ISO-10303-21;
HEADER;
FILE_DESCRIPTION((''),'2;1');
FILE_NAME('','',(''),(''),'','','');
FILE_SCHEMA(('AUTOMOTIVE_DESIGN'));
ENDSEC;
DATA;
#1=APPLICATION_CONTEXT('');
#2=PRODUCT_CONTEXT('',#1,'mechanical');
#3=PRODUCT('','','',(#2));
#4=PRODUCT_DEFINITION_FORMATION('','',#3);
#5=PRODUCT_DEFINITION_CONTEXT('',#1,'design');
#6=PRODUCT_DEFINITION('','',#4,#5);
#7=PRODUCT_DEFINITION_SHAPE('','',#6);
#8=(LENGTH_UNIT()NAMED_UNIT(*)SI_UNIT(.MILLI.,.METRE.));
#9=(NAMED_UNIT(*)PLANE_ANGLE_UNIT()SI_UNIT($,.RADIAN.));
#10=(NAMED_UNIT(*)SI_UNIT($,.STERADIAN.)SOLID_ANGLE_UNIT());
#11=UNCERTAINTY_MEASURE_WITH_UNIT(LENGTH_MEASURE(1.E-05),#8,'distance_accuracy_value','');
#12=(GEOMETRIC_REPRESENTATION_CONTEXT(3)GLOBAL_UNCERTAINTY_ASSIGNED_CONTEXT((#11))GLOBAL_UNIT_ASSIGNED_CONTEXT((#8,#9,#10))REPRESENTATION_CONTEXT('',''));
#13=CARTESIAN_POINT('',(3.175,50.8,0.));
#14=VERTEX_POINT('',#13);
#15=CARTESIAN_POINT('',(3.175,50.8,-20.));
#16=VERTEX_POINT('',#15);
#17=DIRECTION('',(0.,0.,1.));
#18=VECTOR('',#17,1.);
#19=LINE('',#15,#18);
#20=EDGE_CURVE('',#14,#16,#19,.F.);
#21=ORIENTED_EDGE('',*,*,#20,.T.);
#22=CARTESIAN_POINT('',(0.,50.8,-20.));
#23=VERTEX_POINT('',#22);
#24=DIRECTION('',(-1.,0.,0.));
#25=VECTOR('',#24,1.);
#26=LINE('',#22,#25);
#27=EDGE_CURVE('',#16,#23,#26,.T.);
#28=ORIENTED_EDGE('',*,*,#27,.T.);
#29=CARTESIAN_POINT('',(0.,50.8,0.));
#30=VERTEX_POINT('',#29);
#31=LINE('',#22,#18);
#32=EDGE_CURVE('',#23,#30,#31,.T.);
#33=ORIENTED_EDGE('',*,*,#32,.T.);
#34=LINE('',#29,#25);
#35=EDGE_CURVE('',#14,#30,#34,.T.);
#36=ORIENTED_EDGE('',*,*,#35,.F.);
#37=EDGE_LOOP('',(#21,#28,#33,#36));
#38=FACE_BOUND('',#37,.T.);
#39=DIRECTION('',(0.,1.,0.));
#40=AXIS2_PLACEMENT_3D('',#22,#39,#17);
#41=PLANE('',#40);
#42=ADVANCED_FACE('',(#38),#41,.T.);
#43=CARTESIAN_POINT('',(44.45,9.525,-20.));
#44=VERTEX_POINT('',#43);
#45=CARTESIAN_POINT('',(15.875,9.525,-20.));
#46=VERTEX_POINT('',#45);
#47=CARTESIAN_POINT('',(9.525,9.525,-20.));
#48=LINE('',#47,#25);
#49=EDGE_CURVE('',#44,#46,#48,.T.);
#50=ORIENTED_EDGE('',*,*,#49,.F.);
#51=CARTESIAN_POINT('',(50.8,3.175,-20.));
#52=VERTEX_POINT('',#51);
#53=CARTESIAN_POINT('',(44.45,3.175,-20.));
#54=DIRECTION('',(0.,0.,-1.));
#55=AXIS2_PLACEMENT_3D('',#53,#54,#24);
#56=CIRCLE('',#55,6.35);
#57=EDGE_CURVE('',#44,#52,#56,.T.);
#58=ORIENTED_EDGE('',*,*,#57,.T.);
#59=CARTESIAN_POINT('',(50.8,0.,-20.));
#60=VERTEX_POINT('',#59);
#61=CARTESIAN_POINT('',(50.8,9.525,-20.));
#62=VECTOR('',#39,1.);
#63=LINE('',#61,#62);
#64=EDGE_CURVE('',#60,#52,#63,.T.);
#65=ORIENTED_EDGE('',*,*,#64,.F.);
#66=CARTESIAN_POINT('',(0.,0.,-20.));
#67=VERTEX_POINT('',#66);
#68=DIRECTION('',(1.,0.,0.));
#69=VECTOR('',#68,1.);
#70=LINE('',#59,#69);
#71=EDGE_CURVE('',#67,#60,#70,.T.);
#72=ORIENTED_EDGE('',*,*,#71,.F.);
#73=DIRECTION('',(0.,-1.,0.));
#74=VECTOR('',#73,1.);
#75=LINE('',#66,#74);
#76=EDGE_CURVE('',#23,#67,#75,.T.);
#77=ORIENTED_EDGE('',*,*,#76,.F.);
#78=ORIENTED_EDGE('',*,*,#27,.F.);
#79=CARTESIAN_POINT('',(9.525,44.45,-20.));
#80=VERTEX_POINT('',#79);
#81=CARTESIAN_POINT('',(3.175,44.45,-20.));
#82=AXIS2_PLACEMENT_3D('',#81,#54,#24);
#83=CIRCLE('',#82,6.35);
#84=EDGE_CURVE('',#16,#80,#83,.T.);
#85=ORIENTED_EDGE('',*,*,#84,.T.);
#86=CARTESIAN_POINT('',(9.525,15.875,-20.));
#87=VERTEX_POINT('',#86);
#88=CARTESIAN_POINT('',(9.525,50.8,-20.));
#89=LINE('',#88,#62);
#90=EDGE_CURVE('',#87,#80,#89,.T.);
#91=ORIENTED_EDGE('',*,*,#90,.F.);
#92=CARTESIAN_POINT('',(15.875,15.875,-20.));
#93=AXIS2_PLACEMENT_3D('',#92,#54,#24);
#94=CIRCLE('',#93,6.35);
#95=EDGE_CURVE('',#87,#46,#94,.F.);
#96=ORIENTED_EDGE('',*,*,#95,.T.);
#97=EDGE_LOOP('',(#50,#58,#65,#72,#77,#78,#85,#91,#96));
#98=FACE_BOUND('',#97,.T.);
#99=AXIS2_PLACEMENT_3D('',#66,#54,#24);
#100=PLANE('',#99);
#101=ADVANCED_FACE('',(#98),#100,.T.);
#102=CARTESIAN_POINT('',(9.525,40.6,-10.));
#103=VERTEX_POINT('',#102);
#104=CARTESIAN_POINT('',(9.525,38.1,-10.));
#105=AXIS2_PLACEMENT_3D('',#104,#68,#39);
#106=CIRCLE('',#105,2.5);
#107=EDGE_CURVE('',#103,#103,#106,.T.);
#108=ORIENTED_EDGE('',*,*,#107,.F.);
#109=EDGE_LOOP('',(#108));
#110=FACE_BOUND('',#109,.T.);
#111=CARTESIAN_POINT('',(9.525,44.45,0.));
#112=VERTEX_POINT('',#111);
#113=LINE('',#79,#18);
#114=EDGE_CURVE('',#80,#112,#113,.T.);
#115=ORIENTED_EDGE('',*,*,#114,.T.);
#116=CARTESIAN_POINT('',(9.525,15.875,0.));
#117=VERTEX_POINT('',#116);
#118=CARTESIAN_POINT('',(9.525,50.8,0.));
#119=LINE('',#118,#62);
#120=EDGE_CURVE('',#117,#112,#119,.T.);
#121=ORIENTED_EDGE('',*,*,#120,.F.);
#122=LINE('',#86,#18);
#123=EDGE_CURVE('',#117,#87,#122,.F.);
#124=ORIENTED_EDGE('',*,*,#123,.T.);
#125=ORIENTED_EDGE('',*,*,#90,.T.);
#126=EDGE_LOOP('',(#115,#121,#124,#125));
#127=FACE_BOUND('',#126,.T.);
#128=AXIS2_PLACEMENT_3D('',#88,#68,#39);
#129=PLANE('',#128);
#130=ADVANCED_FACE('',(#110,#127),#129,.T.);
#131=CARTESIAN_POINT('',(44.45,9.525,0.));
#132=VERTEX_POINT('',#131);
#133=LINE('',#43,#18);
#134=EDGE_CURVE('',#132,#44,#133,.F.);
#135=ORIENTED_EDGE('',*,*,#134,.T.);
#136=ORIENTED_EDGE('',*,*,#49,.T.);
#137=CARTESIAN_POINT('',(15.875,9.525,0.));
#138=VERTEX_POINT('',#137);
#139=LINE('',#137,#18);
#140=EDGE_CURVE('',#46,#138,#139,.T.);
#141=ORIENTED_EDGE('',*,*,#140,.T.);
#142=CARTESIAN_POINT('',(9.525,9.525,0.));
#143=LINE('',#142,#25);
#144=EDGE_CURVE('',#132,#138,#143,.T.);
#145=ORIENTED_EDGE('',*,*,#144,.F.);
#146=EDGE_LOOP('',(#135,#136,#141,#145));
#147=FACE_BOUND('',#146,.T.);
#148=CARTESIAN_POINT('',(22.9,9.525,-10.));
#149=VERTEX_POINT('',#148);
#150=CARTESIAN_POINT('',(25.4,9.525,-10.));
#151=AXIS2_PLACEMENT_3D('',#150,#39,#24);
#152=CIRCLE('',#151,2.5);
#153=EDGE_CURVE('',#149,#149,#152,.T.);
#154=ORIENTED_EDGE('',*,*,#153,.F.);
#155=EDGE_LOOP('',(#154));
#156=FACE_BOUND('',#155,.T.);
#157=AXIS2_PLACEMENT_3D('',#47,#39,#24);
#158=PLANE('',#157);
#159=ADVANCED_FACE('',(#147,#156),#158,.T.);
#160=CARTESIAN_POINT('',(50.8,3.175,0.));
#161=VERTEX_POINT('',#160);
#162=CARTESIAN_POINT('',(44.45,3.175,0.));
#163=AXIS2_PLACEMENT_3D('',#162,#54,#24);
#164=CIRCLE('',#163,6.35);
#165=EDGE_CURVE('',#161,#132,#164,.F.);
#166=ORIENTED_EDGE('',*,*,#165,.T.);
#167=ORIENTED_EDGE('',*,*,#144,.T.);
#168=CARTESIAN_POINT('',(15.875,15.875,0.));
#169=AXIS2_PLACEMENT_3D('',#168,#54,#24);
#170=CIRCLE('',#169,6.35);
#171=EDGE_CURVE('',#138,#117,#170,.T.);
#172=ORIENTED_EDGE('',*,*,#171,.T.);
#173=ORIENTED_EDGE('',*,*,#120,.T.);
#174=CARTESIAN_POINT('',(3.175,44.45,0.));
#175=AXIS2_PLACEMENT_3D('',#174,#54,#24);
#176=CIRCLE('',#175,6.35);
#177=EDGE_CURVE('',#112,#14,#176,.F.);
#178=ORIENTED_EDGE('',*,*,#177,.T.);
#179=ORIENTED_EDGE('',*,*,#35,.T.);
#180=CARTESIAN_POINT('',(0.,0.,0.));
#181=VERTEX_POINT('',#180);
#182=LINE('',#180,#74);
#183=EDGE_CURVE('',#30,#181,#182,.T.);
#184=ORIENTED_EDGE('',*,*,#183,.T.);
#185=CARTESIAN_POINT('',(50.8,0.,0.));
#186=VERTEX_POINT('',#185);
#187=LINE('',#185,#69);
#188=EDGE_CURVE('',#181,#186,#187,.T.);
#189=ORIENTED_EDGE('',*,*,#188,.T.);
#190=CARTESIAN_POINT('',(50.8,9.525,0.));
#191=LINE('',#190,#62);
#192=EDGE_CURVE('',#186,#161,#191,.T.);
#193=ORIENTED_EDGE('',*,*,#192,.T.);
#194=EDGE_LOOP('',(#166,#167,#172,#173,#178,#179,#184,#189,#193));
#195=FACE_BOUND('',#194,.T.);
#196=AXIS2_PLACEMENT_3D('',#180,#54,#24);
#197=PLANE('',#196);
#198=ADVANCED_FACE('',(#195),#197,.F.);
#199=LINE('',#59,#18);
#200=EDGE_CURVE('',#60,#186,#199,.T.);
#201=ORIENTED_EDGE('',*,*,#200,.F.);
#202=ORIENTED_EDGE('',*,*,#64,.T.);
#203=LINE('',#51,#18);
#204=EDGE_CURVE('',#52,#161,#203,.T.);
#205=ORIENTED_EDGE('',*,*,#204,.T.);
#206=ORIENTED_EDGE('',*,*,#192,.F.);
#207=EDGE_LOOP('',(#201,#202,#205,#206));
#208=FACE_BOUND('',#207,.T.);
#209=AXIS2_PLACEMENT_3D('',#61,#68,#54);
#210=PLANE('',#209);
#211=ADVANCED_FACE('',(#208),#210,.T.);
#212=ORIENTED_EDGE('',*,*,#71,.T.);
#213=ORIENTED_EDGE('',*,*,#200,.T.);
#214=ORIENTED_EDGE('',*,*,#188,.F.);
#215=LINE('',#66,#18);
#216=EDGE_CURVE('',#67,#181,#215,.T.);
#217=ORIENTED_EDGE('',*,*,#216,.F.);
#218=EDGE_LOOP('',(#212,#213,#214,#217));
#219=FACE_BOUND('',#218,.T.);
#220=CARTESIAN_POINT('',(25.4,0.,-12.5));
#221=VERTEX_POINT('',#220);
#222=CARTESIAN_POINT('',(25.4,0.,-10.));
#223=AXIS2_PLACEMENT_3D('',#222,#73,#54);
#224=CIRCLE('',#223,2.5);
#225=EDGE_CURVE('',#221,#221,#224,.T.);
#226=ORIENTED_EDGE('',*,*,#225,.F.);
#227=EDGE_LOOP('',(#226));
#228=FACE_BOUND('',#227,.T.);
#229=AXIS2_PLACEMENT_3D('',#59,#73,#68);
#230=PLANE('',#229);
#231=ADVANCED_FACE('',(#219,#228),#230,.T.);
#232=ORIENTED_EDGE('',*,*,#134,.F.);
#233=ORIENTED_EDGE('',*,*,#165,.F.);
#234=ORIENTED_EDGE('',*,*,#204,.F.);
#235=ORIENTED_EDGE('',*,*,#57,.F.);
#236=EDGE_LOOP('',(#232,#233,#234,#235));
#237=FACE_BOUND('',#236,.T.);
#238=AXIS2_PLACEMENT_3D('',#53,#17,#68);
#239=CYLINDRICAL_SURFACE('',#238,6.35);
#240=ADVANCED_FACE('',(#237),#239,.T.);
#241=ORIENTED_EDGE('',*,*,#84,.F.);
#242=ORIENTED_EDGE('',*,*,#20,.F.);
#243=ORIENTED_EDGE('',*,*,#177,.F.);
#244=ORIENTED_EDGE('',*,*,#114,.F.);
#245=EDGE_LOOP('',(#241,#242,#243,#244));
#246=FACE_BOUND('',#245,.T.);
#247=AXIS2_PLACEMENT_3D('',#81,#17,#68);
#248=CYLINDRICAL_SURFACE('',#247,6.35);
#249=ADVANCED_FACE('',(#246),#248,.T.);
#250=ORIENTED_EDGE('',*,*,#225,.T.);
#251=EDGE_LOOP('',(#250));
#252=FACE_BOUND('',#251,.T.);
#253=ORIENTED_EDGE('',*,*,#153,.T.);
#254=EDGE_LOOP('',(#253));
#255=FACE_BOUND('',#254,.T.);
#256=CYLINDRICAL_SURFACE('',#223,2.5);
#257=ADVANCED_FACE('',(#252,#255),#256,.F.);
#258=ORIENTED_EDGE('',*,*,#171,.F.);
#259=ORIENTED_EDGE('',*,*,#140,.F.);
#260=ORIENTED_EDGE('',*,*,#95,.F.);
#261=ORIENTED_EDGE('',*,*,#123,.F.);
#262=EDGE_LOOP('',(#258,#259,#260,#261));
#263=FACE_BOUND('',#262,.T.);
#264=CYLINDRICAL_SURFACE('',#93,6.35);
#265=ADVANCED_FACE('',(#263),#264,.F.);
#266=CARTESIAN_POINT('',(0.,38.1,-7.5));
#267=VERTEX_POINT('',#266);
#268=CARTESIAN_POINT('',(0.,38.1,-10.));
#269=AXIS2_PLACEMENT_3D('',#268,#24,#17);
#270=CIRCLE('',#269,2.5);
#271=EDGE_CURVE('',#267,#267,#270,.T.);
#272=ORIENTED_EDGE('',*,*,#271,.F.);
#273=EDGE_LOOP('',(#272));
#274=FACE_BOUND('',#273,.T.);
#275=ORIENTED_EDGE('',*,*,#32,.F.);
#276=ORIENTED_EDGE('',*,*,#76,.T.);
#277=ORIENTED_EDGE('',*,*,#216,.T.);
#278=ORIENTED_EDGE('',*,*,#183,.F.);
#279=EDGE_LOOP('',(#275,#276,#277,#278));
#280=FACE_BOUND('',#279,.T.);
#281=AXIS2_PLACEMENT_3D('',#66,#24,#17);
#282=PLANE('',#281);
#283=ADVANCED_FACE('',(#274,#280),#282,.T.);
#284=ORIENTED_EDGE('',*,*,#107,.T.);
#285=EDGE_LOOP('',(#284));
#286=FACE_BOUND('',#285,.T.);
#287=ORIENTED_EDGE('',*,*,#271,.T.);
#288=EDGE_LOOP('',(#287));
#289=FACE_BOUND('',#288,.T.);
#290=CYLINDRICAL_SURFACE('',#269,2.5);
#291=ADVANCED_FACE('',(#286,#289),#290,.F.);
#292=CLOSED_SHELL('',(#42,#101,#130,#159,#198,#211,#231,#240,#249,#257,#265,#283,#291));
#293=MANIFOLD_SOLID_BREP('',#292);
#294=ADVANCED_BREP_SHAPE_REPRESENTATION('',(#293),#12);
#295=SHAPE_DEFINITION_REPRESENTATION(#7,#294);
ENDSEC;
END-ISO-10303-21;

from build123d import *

# Parameters (mm, degrees)
BOSS_EXTRUDE1_DEPTH   = 20
FILLET1_R             = 6.35
F_5_0MM_DOWEL_HOLE1_D = 5
F_5_0MM_DOWEL_HOLE2_D = 5


with BuildPart() as part:
    # Sketch1 → Boss-Extrude1 (new body)
    with BuildSketch(Plane.XY):
        Polygon((0, 0), (0, 50.8), (9.525, 50.8), (9.525, 9.525), (50.8, 9.525), (50.8, 0), align=None)
    extrude(amount=-BOSS_EXTRUDE1_DEPTH)

    # Fillet1
    fillet1_edges = [part.edges().sort_by_distance(p)[0] for p in [
        (9.525, 50.8, -10),
        (9.525, 9.525, -10),
        (50.8, 9.525, -10),
    ]]
    fillet(fillet1_edges, radius=FILLET1_R)

    # Ø5.0mm Dowel Hole1 (through all)
    with Locations(Plane(origin=(0, 0, 0), x_dir=(-1, 0, 0), z_dir=(0, -1, 0))):
        with Locations((-25.4, 10)):
            Hole(F_5_0MM_DOWEL_HOLE1_D / 2)

    # Ø5.0mm Dowel Hole2 (through all)
    with Locations(Plane.ZY):
        with Locations((-10, 38.1)):
            Hole(F_5_0MM_DOWEL_HOLE2_D / 2)


solid = part.part
